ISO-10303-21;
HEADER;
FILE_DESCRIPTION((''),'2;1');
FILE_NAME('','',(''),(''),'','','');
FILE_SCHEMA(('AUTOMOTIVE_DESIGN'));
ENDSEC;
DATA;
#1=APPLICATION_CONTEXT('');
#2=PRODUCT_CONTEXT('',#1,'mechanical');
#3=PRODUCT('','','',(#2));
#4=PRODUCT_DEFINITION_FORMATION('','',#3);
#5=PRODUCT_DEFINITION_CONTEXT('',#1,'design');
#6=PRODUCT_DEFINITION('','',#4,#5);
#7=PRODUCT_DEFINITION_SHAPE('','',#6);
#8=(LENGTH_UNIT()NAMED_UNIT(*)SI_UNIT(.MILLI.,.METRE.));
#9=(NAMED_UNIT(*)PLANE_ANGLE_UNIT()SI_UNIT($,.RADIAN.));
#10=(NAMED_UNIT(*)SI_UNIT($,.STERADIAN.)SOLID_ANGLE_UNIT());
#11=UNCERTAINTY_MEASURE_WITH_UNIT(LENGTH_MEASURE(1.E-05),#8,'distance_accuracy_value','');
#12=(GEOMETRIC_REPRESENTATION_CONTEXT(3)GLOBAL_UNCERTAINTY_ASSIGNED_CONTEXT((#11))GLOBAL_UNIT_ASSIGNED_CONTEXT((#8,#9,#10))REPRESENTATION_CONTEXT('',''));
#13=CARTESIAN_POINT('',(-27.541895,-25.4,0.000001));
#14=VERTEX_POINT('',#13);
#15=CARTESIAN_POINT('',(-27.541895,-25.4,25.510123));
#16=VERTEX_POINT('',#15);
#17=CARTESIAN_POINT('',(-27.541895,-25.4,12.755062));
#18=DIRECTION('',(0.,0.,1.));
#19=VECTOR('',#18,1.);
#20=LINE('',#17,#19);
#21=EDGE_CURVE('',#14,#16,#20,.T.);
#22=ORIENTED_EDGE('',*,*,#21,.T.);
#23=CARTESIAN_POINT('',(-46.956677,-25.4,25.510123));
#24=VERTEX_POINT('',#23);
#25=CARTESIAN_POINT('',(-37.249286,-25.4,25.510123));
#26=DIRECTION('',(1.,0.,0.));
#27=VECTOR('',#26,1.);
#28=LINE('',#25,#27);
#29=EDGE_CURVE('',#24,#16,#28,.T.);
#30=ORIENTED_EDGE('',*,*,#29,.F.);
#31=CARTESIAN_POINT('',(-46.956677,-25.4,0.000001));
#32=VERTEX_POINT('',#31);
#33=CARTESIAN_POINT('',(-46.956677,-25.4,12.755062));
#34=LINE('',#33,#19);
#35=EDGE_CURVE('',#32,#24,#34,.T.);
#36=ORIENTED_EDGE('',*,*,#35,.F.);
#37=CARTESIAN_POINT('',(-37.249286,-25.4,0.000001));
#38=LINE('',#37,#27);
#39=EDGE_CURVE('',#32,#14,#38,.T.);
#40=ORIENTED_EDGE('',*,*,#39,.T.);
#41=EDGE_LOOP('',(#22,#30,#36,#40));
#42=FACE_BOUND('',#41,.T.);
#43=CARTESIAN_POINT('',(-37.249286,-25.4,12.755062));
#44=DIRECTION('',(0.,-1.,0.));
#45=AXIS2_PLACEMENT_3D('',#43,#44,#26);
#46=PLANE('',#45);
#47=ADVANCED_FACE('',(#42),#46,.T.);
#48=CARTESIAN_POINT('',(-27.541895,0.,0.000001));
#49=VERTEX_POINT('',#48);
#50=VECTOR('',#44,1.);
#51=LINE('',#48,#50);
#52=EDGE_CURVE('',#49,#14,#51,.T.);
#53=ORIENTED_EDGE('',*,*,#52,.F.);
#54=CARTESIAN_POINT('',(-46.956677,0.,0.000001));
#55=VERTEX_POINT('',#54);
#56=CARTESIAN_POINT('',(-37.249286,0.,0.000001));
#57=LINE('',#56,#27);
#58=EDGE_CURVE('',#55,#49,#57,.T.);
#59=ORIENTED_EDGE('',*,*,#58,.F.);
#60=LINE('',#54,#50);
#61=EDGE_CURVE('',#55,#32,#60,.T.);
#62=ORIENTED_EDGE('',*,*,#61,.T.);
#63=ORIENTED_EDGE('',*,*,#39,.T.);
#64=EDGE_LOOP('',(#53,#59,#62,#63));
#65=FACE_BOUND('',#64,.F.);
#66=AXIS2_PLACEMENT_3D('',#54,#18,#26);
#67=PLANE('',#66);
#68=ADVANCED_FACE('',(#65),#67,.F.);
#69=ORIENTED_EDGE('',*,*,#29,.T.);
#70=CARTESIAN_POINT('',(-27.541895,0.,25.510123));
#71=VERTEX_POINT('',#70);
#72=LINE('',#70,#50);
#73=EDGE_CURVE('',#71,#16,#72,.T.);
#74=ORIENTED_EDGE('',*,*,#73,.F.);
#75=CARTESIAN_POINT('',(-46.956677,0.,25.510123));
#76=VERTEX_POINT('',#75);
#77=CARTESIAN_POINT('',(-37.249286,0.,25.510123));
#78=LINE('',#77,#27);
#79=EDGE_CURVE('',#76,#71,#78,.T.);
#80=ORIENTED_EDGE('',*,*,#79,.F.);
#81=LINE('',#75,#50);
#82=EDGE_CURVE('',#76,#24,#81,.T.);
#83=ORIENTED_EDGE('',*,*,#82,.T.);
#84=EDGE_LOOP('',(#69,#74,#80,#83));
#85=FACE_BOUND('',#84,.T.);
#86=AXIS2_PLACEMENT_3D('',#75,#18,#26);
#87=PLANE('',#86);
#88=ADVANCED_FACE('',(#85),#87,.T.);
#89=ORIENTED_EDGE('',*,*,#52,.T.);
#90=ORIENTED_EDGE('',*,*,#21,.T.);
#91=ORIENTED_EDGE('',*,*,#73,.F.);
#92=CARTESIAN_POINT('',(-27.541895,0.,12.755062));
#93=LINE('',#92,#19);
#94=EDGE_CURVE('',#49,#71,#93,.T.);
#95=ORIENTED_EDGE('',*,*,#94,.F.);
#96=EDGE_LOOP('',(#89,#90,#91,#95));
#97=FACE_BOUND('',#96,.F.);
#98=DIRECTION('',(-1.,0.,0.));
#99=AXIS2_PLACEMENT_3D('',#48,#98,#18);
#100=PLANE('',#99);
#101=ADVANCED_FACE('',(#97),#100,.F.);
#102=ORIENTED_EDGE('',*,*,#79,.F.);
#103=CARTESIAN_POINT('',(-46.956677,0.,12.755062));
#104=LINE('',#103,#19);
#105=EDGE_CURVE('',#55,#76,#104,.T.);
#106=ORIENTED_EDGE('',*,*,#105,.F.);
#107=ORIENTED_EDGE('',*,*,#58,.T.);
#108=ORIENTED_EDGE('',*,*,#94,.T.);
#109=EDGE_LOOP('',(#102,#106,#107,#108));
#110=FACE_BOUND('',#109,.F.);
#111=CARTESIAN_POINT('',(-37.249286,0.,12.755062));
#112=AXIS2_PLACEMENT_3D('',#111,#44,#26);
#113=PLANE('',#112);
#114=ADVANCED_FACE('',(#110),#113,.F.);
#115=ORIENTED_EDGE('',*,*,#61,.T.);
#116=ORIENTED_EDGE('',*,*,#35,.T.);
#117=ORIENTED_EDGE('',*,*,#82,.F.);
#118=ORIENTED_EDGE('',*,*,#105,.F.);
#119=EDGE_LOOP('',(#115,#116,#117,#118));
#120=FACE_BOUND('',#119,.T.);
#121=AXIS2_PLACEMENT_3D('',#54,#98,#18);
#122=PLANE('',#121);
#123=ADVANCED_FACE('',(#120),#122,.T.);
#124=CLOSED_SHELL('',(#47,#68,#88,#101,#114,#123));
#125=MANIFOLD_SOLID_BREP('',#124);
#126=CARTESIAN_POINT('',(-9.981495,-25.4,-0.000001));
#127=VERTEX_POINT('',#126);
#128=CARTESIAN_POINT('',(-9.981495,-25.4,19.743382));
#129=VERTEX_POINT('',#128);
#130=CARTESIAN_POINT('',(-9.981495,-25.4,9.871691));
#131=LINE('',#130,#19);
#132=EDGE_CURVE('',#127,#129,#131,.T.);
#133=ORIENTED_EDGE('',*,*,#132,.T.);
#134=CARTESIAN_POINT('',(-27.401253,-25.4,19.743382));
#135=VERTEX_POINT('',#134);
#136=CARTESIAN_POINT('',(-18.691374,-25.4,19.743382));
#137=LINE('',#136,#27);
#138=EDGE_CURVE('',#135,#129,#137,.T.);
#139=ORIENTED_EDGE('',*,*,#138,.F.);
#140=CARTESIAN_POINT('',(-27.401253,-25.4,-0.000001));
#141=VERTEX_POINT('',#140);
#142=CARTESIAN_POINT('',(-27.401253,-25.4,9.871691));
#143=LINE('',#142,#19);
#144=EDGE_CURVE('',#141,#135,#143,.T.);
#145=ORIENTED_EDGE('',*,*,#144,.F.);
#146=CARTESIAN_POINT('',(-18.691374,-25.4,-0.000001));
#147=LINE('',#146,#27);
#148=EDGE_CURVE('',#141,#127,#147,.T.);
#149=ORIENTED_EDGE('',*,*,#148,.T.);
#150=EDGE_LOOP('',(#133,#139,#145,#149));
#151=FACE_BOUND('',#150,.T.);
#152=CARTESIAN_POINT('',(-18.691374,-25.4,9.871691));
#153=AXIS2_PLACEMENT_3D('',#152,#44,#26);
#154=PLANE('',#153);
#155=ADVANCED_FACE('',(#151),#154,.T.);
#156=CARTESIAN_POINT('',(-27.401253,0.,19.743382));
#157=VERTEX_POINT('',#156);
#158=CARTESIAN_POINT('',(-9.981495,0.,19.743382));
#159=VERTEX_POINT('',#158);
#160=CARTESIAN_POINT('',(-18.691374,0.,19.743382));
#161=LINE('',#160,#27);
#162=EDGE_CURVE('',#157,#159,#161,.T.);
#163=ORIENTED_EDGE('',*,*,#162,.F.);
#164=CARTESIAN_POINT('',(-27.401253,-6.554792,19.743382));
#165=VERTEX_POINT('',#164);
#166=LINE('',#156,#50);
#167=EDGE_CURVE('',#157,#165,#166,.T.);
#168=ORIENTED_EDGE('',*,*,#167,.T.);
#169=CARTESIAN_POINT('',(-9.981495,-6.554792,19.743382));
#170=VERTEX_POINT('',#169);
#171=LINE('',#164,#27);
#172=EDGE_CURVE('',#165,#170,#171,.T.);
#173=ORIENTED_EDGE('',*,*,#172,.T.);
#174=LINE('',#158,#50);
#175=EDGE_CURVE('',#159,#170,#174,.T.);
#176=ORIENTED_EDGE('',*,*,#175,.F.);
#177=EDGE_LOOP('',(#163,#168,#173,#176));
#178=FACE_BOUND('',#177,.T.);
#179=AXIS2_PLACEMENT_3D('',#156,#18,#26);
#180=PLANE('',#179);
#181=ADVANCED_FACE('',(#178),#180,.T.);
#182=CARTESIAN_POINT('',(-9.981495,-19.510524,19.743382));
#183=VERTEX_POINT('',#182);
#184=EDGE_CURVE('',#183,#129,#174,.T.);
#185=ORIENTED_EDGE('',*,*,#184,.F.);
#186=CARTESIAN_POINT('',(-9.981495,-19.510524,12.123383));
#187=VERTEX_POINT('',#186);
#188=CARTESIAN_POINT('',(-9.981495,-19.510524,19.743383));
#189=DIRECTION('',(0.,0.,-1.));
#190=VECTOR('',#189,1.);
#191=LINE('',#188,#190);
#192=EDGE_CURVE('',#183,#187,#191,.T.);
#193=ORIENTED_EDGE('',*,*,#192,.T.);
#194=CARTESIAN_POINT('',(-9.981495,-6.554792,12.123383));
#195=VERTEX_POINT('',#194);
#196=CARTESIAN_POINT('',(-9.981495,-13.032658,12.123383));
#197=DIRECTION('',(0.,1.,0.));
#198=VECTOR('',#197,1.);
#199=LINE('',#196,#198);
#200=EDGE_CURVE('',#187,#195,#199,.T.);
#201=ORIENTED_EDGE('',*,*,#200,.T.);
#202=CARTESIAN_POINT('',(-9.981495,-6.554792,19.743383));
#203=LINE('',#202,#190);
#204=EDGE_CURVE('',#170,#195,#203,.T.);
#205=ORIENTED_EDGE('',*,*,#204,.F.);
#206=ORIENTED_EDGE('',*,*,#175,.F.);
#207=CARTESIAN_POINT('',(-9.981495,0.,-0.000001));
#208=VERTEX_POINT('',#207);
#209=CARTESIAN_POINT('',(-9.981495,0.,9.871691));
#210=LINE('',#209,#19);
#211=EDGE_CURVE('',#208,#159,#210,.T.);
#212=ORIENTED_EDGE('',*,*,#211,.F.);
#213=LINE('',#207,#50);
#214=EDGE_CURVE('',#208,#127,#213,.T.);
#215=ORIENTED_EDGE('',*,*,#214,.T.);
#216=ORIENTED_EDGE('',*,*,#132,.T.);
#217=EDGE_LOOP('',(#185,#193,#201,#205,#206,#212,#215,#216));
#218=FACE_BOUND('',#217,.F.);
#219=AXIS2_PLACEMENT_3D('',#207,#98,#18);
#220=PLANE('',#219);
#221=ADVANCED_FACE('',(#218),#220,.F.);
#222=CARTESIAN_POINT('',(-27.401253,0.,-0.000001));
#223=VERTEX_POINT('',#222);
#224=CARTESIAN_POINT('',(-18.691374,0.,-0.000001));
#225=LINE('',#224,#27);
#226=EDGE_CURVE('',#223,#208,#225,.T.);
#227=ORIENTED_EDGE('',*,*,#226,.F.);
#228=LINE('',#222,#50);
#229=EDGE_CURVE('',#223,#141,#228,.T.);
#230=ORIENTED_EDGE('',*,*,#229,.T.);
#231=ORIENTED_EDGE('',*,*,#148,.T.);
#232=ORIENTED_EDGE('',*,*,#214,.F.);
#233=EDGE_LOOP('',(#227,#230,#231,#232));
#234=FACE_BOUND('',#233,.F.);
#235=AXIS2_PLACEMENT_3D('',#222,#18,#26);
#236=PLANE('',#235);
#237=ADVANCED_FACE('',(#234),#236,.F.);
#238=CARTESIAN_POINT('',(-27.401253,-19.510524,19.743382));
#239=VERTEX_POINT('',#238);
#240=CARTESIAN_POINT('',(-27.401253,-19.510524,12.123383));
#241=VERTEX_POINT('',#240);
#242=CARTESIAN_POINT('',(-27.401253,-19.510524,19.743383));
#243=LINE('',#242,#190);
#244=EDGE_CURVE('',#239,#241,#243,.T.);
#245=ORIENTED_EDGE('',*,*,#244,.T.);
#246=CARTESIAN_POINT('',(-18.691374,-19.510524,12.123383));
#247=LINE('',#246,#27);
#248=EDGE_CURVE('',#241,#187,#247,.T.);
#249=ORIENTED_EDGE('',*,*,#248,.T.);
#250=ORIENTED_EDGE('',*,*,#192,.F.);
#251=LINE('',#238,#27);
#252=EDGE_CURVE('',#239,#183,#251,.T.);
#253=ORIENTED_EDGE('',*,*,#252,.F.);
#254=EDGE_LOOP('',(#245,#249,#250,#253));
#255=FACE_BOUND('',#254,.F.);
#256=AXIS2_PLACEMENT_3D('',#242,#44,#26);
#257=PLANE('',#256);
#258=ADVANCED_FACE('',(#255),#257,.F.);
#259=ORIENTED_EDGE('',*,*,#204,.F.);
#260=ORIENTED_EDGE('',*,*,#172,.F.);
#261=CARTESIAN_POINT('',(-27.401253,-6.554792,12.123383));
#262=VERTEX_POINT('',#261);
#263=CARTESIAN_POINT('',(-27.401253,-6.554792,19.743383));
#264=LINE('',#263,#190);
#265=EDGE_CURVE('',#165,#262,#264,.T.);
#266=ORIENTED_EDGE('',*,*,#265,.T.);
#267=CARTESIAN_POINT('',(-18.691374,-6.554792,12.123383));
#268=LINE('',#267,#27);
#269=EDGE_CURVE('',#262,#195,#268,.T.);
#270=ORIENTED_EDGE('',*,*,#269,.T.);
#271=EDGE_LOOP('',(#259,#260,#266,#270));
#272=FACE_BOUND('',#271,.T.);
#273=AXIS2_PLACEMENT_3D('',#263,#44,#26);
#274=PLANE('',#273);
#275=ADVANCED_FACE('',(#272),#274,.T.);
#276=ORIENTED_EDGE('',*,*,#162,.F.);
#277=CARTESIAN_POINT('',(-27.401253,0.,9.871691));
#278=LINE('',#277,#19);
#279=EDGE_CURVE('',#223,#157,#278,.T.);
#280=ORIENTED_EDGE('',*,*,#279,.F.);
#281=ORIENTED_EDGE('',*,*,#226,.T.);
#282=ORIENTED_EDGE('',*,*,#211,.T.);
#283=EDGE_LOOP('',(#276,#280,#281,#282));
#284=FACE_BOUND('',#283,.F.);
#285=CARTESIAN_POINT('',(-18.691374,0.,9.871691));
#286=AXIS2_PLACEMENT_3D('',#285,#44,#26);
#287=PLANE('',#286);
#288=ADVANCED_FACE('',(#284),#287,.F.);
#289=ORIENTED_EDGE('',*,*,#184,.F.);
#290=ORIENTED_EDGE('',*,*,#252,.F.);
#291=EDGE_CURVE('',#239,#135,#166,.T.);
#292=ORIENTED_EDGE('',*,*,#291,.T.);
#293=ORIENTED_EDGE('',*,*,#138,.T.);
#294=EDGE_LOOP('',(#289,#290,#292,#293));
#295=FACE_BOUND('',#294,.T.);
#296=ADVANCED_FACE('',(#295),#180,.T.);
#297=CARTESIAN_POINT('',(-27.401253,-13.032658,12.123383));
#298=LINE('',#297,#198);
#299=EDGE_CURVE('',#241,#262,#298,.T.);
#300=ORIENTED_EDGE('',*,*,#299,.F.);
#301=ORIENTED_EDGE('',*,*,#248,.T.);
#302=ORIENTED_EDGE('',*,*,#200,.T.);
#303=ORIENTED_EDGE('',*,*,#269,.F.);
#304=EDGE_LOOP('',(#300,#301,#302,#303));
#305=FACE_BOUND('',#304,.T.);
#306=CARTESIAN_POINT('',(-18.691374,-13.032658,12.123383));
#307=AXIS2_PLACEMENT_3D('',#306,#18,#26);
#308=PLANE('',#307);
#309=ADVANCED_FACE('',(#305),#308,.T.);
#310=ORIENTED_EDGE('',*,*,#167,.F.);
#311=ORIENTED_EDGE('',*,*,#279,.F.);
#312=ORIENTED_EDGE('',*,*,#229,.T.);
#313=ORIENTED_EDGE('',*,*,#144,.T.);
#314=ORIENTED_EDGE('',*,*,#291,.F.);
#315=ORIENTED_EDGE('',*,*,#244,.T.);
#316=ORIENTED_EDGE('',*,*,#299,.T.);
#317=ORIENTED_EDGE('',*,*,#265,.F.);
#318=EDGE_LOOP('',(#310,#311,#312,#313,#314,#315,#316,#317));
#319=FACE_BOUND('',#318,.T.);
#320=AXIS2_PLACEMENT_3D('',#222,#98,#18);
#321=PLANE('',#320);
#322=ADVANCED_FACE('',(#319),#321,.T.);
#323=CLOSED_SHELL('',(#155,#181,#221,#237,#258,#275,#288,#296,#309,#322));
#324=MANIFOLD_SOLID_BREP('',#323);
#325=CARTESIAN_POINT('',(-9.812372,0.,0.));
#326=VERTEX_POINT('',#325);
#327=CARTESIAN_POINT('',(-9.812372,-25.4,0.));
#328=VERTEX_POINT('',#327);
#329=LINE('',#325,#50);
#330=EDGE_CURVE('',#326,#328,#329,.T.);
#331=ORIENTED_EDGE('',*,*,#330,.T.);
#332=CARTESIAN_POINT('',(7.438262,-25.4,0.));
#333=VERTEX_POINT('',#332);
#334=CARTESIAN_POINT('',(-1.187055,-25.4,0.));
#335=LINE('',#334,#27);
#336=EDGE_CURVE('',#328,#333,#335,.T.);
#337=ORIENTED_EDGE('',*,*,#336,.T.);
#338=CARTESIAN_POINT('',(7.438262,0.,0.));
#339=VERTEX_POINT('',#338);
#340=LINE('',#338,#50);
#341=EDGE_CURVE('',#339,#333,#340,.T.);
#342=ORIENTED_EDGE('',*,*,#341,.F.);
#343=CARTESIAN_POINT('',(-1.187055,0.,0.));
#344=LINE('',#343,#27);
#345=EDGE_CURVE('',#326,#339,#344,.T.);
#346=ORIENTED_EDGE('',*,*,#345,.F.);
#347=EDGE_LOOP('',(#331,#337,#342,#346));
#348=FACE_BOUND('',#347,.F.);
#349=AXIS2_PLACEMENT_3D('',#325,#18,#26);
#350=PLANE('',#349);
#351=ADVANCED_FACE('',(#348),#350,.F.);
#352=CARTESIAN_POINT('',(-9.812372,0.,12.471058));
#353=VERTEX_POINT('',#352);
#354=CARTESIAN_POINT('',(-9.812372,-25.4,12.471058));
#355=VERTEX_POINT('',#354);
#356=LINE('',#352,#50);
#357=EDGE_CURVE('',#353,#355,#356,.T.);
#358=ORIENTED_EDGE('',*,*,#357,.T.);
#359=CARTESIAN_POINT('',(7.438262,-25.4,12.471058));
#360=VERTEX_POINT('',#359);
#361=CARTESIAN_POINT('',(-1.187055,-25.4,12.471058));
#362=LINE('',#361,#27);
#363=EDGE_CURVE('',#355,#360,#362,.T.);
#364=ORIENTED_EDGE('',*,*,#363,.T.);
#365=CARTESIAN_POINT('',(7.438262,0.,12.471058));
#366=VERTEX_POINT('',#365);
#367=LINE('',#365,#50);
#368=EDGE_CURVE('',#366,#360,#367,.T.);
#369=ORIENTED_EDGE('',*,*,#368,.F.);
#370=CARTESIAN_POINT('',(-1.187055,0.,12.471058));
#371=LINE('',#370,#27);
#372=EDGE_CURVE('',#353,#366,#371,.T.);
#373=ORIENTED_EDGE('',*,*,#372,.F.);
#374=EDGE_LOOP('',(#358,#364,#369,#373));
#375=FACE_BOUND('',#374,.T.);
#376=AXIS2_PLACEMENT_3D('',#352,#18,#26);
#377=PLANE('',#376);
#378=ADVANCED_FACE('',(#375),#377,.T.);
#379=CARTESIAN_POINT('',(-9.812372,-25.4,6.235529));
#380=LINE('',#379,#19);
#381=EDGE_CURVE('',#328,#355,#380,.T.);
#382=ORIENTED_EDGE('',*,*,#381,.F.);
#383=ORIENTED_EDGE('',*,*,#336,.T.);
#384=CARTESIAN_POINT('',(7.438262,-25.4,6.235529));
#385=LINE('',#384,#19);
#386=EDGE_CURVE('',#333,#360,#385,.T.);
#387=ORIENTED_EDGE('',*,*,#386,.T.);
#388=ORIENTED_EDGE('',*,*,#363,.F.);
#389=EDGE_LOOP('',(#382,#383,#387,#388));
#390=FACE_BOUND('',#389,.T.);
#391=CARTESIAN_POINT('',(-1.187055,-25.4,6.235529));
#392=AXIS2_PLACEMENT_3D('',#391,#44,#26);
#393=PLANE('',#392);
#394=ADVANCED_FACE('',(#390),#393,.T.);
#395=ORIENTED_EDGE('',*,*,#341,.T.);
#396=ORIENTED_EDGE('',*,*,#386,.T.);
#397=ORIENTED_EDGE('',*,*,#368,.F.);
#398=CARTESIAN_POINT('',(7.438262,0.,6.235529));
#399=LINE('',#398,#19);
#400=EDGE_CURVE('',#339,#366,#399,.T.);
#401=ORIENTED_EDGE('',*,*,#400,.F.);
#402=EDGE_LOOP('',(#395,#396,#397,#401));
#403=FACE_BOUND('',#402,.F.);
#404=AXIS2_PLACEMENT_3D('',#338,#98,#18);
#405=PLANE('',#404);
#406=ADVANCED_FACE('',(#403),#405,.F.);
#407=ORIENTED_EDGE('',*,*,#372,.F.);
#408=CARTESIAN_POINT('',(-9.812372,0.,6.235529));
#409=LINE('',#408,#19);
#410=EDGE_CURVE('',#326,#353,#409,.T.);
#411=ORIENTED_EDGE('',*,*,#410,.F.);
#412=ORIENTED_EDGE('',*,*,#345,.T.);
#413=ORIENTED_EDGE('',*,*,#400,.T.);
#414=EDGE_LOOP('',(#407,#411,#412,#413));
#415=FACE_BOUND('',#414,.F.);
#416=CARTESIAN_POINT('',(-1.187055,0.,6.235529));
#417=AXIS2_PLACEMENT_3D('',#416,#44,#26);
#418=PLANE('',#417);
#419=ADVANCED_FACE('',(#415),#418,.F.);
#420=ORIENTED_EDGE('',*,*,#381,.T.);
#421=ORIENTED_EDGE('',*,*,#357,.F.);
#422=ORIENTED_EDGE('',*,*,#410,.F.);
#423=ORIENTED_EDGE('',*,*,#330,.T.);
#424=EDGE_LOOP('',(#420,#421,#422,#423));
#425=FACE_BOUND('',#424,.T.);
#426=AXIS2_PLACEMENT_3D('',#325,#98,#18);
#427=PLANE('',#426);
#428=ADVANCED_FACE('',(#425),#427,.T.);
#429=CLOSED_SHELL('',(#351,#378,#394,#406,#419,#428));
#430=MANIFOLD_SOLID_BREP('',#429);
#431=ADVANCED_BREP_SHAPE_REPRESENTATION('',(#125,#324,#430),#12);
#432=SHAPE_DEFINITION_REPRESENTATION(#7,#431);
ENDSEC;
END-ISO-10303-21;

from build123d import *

# Parameters (mm, degrees)
F0_W     = 19.414781
F0_H     = 25.510123
F3_DEPTH = 25.4
F1_W     = 17.419759
F1_H     = 19.743383
F4_DEPTH = 25.4
F2_W     = 17.250634
F2_H     = 12.471057
F5_DEPTH = 25.4
F6_W     = 17.419759
F6_H     = 12.955732
F7_DEPTH = 7.62


with BuildPart() as f3:
    # F0 (on Front) → F3 (new body)
    with BuildSketch(Plane.XZ):
        with Locations((-37.249286, 12.755062)):
            Rectangle(F0_W, F0_H)
    extrude(amount=F3_DEPTH)


with BuildPart() as f4:
    # F1 (on Front) → F4 (new body)
    with BuildSketch(Plane.XZ):
        with Locations((-18.691374, 9.871691)):
            Rectangle(F1_W, F1_H)
    extrude(amount=F4_DEPTH)

    # F6 (on face) → F7 (cut)
    with BuildSketch(Plane.XY.offset(19.743383)):
        with Locations((-18.691374, -13.032658)):
            Rectangle(F6_W, F6_H)
    extrude(amount=-F7_DEPTH, mode=Mode.SUBTRACT)


with BuildPart() as f5:
    # F2 (on Front) → F5 (new body)
    with BuildSketch(Plane.XZ):
        with Locations((-1.187055, 6.235529)):
            Rectangle(F2_W, F2_H)
    extrude(amount=F5_DEPTH)


solid = Compound([f3.part, f4.part, f5.part])
